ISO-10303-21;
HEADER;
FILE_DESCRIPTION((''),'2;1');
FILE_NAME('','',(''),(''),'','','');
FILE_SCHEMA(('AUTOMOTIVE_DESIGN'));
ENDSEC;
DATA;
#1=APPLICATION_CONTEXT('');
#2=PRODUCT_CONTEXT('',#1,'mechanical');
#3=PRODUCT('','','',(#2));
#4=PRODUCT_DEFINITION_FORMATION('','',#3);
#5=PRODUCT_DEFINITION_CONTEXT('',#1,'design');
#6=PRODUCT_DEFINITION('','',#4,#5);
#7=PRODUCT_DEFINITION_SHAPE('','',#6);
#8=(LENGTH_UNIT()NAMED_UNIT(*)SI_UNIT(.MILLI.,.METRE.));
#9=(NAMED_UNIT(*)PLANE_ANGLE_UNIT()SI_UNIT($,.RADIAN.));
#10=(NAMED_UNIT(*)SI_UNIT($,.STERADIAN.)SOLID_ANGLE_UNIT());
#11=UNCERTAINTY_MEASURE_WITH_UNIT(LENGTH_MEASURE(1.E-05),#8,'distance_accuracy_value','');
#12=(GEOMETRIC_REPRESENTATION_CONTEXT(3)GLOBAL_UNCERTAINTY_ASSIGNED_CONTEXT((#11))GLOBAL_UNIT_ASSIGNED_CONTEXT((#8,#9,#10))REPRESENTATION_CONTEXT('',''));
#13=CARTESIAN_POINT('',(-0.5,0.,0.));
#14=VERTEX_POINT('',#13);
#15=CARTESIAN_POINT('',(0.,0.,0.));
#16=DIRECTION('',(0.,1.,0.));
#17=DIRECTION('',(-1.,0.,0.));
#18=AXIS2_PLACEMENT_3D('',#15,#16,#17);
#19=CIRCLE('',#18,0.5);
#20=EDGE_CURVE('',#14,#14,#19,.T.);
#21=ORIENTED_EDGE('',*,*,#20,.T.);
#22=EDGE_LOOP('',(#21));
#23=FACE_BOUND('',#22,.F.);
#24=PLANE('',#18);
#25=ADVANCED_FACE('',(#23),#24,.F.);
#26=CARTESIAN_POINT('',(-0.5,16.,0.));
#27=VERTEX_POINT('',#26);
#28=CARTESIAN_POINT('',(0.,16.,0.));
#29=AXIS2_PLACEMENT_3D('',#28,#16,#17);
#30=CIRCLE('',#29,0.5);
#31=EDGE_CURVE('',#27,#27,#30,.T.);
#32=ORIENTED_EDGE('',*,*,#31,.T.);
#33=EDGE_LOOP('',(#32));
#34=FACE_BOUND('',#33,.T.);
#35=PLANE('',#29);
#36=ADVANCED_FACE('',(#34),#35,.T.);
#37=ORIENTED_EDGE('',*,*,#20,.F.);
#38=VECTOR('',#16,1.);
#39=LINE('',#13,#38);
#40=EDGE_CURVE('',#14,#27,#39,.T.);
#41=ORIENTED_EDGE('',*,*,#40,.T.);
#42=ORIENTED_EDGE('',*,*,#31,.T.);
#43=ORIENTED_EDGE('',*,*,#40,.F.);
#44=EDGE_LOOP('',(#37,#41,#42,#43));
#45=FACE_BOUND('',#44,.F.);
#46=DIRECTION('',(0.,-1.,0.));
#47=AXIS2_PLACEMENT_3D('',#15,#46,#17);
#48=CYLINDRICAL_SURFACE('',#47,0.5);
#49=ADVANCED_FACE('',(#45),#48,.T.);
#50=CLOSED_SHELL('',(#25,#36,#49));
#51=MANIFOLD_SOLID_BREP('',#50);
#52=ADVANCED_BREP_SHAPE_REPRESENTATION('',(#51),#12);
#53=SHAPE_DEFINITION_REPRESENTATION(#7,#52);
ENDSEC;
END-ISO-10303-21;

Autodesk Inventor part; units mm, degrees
ref_plane "YZ Plane" through (0, 0, 0) normal (1, 0, 0) x (0, 1, 0)
ref_plane "XZ Plane" through (0, 0, 0) normal (0, 1, 0) x (-1, 0, 0)
ref_plane "XY Plane" through (0, 0, 0) normal (0, 0, 1) x (1, 0, 0)
sketch "Sketch2" plane through (0, 0, 0) normal (0, 1, 0) x (-1, 0, 0)
  circle A0 centre (0, 0) radius 0.5
  dimension "d0" = 1
extrude "Extrusion1" add sketch "Sketch2" along normal blind 16
properties part number "paperclip16mm" material "Stainless Steel"
